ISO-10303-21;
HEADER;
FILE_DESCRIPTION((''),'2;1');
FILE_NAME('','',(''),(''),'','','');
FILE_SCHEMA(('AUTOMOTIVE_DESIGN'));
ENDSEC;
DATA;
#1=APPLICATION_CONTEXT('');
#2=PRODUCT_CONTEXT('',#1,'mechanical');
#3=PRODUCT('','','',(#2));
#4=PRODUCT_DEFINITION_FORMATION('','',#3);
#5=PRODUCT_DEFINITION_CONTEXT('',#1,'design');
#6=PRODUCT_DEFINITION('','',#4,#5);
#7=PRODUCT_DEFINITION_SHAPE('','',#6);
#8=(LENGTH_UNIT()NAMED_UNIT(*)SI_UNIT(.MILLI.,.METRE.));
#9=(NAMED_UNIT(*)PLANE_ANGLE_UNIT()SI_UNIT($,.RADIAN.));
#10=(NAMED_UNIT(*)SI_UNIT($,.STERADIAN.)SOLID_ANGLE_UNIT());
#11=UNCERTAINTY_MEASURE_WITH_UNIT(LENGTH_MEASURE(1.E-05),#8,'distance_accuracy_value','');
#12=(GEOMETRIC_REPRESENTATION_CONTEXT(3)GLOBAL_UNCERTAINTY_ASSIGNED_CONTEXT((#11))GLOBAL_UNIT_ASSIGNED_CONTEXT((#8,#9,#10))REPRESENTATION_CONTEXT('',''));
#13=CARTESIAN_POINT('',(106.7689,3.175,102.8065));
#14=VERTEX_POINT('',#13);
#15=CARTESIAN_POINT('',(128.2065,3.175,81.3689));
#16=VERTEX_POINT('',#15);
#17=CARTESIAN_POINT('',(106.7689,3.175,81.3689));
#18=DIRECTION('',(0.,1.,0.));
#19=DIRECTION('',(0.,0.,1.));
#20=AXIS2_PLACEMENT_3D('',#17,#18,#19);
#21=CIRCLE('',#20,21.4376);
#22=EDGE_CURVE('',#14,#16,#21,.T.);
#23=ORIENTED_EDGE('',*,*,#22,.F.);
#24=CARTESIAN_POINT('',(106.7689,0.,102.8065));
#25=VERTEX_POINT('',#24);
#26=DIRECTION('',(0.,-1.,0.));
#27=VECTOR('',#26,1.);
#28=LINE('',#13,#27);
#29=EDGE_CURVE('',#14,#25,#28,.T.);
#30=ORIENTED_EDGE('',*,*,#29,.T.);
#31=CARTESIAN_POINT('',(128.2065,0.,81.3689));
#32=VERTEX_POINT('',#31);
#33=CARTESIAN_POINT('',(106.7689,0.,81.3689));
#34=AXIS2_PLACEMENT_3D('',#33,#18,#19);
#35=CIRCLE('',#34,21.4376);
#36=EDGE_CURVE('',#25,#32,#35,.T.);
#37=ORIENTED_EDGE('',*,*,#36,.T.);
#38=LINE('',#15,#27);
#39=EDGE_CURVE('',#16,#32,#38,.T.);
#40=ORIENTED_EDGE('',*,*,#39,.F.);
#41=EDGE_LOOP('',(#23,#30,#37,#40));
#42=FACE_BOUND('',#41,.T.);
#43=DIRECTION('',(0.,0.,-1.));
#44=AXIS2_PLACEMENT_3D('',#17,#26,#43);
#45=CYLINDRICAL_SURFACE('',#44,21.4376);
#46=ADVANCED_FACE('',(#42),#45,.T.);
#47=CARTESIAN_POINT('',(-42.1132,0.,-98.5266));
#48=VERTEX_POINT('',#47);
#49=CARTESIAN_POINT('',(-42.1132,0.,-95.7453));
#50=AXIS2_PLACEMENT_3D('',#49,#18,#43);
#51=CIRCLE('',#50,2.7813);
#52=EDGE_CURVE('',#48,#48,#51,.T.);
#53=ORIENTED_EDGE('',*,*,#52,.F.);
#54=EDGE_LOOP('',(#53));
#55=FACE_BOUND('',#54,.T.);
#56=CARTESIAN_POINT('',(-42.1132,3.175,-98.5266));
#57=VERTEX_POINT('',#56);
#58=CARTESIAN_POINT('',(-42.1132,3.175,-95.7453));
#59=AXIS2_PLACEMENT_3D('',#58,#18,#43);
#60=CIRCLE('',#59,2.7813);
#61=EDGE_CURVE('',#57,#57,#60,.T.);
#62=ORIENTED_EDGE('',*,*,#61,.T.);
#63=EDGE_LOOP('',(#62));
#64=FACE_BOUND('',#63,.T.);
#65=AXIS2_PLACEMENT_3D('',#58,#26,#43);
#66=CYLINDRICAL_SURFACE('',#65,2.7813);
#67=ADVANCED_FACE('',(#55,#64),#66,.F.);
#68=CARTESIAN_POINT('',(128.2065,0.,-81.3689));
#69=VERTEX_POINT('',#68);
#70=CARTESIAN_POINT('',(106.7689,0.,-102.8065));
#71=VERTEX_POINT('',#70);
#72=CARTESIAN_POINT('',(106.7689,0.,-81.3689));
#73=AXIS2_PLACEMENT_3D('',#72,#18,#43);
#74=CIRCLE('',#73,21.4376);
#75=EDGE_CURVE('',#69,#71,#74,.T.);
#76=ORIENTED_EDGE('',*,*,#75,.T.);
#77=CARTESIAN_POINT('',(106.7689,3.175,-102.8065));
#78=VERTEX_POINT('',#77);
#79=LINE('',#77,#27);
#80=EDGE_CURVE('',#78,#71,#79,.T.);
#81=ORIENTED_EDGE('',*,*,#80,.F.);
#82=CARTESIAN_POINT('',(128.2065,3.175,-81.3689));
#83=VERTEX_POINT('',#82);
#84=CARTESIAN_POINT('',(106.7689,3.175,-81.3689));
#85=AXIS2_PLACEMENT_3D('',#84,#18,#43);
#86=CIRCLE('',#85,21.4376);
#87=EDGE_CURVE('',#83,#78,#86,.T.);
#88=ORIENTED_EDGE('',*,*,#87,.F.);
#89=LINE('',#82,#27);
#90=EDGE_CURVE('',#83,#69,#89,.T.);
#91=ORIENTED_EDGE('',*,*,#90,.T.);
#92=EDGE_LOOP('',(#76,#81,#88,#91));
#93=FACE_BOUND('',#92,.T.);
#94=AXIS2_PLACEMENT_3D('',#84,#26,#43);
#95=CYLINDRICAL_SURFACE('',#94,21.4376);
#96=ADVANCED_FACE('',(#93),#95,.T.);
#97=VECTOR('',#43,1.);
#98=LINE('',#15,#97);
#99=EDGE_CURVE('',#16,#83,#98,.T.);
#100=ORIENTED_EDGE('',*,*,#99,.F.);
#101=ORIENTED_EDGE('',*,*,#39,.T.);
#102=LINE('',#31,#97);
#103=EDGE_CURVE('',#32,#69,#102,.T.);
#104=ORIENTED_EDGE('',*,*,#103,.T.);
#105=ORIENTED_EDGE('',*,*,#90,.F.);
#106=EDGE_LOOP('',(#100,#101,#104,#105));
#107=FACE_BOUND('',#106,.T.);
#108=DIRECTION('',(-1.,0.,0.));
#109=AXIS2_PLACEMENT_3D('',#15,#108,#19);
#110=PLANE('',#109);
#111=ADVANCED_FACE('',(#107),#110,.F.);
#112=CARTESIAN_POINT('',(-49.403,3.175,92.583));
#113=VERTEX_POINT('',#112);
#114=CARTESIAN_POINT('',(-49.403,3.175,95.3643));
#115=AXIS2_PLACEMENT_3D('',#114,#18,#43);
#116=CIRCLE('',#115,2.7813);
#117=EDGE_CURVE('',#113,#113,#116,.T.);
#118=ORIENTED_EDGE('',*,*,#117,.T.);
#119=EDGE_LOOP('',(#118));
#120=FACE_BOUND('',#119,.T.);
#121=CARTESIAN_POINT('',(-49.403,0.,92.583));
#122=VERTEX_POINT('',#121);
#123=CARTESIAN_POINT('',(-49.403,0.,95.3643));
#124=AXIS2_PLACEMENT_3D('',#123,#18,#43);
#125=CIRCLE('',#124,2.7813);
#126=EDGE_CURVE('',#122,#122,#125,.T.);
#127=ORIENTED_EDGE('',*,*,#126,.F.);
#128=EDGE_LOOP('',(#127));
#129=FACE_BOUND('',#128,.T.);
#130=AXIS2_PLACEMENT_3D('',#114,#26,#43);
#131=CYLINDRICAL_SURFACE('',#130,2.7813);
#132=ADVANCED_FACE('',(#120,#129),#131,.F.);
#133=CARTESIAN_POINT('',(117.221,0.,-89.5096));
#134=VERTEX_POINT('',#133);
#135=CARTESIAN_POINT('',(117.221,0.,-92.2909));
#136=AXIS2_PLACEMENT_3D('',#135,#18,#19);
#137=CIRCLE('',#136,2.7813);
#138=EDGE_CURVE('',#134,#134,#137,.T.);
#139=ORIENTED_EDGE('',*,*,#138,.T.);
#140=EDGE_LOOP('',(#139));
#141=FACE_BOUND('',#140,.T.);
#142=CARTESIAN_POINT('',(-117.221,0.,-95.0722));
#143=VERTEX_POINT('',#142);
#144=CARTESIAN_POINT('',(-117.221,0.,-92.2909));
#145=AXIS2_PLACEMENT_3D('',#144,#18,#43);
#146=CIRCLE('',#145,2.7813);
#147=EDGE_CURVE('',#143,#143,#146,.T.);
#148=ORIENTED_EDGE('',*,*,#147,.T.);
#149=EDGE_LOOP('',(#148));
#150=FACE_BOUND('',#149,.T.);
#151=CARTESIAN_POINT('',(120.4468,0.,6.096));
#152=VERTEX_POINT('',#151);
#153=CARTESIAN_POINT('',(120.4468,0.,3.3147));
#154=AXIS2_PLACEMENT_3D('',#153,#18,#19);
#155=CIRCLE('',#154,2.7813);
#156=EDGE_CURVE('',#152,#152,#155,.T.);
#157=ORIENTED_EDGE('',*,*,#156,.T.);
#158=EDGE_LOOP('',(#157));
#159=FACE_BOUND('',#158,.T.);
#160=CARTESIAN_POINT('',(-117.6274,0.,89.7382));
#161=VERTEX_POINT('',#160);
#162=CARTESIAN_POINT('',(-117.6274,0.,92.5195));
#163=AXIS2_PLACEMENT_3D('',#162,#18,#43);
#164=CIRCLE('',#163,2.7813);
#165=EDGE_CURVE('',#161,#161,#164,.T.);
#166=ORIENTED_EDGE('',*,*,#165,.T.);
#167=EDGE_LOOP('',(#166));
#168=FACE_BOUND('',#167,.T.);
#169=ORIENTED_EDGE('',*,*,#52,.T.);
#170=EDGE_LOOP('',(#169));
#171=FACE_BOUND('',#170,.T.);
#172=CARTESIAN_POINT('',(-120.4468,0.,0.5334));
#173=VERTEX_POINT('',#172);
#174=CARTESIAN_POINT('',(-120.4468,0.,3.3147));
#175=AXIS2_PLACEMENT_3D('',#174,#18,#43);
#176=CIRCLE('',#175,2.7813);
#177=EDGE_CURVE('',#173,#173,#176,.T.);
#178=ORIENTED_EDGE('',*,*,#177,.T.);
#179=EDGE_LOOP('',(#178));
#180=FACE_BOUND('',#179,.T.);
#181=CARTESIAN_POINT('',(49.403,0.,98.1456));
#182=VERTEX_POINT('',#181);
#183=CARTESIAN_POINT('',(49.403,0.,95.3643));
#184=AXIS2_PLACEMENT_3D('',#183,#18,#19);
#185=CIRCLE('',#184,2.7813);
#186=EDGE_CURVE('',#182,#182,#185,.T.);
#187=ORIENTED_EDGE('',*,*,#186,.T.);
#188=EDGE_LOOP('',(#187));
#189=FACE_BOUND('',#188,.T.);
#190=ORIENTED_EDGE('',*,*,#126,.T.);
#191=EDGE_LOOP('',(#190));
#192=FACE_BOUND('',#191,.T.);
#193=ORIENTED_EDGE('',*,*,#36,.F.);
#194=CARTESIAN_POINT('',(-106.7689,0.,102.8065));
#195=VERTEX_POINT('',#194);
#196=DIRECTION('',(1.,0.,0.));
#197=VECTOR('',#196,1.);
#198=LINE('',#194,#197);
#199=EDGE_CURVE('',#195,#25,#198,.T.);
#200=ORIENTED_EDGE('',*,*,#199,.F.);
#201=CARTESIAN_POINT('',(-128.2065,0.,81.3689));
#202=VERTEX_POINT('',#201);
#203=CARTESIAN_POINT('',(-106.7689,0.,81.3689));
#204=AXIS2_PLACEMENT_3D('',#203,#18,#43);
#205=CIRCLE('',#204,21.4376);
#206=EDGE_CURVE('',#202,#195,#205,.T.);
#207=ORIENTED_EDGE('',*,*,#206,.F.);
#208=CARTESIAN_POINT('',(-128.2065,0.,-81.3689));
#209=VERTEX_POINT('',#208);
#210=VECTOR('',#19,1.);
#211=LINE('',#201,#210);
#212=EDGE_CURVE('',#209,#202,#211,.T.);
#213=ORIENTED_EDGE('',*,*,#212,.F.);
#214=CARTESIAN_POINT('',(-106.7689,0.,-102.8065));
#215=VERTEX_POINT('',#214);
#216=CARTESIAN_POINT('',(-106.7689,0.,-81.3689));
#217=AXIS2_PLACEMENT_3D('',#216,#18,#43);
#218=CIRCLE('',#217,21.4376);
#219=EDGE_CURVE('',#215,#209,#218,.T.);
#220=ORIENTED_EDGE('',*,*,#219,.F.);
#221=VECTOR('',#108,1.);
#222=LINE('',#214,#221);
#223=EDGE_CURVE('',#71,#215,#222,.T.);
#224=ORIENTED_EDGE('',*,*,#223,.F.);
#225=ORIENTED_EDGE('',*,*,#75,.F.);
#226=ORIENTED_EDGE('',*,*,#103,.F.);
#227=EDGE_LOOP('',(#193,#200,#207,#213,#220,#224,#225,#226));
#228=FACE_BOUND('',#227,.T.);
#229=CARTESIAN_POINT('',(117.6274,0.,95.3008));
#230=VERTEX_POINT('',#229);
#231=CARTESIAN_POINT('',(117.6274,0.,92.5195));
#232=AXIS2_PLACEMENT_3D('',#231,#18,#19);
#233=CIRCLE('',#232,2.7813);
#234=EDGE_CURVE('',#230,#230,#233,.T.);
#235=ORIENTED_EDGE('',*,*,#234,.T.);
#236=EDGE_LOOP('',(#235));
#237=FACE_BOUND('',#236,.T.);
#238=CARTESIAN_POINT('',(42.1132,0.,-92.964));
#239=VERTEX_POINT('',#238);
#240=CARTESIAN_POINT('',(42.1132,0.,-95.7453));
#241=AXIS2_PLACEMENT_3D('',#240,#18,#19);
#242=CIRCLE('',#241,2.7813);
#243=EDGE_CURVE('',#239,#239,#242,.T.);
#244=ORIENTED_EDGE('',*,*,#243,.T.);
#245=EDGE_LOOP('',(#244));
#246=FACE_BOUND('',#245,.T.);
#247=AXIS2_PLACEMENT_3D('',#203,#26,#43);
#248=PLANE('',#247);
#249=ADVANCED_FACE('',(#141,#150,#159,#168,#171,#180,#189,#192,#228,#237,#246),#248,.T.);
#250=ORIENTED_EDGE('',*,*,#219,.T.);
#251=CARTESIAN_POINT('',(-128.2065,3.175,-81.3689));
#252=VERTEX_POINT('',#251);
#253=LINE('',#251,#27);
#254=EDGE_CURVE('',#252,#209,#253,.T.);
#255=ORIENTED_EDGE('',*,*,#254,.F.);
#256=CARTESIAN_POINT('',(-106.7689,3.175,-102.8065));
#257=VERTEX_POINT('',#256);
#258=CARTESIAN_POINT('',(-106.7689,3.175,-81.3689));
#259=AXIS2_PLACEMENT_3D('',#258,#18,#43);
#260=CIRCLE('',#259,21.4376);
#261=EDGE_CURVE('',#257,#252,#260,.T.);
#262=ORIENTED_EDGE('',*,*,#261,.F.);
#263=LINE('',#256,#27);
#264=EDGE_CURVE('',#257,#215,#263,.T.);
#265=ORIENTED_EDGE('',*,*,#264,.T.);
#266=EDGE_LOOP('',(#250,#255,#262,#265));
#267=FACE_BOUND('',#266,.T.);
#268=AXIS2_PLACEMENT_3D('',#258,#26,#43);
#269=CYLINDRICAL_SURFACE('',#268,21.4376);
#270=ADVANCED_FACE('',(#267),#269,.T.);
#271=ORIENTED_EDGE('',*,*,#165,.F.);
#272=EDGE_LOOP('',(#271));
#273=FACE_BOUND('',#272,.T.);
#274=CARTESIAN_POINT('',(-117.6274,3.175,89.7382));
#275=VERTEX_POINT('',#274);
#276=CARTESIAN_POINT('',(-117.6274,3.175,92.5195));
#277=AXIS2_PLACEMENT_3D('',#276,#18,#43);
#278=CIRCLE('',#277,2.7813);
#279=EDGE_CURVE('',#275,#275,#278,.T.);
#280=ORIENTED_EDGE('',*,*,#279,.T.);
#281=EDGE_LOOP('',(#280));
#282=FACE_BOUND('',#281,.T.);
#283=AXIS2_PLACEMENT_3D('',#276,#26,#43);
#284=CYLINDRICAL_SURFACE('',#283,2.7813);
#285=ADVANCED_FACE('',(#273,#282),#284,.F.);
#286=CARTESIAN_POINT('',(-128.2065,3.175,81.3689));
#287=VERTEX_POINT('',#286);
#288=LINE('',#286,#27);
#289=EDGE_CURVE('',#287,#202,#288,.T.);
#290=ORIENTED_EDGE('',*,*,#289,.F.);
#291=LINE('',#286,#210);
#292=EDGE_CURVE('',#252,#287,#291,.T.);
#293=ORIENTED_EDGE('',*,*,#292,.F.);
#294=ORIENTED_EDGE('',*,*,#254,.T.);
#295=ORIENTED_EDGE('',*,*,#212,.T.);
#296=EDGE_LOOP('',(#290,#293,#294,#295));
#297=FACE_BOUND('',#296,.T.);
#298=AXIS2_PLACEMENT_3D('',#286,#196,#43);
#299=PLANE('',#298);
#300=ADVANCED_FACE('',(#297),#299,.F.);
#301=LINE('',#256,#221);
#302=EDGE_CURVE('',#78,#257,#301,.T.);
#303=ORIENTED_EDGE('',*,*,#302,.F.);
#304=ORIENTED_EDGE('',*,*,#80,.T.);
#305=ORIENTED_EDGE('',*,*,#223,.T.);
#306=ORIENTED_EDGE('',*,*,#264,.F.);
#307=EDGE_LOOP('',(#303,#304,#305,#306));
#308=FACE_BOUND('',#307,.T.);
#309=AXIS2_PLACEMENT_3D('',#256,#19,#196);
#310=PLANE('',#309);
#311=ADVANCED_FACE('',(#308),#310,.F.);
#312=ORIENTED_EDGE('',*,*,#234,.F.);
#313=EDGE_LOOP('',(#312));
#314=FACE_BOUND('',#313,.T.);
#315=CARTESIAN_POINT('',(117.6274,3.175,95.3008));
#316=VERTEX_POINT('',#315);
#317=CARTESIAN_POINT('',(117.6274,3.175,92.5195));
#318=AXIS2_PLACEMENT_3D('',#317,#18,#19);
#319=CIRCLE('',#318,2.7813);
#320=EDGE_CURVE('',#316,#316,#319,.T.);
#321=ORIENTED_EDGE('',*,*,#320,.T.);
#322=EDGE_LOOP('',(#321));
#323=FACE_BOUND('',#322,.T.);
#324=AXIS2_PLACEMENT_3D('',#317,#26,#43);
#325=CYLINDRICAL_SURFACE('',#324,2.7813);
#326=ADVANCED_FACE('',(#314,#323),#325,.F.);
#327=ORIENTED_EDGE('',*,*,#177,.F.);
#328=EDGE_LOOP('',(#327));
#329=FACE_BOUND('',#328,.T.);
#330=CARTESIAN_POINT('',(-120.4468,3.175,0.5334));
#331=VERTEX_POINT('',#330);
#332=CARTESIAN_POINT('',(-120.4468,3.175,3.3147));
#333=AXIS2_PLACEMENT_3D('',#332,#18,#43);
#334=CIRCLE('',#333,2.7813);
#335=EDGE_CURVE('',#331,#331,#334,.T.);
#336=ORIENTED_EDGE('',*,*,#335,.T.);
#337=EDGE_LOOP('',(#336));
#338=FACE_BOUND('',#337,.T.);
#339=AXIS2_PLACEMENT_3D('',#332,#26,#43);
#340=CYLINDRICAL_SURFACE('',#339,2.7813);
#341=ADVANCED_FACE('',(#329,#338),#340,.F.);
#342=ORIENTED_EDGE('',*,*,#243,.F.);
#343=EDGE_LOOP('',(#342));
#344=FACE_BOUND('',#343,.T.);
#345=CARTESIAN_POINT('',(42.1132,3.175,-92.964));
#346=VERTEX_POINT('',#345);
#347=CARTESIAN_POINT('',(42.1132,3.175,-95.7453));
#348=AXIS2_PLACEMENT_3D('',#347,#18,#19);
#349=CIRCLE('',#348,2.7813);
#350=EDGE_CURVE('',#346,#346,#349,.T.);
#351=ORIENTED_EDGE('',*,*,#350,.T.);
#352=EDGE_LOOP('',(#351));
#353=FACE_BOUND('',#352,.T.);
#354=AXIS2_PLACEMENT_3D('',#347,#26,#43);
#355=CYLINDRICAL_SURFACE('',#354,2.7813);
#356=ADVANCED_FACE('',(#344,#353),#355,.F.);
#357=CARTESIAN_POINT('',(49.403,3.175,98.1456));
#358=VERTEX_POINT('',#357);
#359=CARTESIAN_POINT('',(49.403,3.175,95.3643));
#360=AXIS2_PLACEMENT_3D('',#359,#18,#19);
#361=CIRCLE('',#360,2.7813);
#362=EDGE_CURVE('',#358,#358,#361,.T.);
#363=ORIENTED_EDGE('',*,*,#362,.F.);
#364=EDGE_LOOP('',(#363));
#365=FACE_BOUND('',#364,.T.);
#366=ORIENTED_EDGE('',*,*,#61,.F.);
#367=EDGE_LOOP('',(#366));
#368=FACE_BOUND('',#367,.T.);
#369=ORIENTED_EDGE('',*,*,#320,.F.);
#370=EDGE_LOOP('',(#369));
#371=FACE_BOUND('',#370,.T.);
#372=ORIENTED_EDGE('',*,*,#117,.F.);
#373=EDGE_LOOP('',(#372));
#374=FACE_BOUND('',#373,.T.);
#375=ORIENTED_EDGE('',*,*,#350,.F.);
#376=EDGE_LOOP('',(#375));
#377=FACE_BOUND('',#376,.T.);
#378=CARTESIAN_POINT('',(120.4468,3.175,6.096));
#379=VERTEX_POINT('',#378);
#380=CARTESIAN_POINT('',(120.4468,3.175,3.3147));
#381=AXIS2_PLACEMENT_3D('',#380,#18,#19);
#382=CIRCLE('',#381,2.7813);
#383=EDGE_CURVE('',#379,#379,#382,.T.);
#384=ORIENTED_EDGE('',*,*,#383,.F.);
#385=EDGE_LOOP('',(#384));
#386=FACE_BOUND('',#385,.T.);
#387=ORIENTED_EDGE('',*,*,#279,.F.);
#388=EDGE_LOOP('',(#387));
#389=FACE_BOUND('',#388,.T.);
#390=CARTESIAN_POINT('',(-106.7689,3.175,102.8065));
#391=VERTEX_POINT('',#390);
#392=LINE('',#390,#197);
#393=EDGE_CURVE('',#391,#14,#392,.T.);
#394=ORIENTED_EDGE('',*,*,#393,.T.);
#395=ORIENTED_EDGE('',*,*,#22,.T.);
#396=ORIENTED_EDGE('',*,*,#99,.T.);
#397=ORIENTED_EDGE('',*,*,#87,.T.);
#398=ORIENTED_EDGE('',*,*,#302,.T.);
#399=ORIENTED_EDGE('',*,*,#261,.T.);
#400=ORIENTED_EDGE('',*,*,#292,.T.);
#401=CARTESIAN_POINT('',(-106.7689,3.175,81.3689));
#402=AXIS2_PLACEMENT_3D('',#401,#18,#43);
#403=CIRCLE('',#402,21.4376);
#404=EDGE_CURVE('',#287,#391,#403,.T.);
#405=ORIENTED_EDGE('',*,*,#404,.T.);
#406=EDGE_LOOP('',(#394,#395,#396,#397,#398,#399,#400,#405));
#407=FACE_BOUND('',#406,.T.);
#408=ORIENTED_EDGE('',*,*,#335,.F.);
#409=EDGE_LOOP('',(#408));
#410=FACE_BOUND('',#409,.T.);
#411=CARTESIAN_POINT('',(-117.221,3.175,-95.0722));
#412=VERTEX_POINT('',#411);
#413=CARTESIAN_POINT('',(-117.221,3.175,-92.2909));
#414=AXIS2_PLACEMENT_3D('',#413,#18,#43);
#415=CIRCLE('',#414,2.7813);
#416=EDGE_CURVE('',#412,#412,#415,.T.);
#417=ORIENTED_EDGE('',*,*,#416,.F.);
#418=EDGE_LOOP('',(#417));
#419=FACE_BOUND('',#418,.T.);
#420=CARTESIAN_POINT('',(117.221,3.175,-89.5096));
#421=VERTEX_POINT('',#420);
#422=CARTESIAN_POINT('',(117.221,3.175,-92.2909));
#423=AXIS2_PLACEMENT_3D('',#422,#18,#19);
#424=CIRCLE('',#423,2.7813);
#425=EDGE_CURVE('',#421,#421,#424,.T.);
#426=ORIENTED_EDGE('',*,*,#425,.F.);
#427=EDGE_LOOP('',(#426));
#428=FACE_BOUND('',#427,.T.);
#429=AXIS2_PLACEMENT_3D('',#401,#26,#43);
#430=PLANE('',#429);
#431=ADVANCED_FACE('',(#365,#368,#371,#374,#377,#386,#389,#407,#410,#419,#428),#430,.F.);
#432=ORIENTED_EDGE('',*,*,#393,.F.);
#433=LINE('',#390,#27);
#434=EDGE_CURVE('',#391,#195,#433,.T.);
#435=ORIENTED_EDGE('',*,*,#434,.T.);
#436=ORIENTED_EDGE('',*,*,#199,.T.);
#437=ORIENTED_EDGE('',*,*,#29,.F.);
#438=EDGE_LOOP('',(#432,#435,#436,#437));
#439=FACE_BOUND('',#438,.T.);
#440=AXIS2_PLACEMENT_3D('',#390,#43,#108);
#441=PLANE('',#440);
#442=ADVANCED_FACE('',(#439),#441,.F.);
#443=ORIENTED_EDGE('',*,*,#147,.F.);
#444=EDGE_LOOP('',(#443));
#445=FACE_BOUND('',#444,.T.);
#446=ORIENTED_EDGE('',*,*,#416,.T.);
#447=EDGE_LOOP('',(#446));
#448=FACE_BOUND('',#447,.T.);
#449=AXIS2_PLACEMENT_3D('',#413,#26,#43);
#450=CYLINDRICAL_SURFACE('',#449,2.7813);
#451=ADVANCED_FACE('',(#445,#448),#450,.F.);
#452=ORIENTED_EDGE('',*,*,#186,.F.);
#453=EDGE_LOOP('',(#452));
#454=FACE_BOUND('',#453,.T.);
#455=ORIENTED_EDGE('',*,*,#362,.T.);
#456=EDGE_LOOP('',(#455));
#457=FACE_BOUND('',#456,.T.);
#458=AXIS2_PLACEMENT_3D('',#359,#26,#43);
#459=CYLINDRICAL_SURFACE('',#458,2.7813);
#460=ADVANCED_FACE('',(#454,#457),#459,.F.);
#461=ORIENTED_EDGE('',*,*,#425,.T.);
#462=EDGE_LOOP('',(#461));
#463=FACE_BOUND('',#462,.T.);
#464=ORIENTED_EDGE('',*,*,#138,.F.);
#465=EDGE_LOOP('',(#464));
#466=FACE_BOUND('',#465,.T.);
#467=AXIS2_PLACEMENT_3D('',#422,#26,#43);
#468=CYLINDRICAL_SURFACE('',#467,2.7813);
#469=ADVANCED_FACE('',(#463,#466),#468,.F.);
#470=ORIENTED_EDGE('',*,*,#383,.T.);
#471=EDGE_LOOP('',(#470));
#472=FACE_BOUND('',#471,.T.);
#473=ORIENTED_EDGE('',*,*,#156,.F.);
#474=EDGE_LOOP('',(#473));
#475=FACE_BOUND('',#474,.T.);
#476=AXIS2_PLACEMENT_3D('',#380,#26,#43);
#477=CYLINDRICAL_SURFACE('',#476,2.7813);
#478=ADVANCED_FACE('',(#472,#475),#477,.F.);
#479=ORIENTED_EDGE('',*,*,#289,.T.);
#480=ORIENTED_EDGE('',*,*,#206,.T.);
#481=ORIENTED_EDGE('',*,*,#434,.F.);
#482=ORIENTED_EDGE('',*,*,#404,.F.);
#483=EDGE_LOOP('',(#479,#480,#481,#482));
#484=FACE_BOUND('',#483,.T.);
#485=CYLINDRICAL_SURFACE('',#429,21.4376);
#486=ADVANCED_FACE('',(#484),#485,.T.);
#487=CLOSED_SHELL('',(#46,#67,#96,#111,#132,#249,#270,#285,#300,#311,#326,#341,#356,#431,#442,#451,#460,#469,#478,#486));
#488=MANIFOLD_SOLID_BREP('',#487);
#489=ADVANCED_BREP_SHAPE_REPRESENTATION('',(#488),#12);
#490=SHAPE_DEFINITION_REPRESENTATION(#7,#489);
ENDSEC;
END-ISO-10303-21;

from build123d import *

# Parameters (mm, degrees)
SKETCH2_R           = 2.7813
BOSS_EXTRUDE1_DEPTH = 3.175


with BuildPart() as part:
    # Sketch2 → Boss-Extrude1 (new body)
    with BuildSketch(Plane(origin=(0, 0, 0), x_dir=(1, 0, 0), z_dir=(0, 1, 0))):
        with BuildLine():
            Line((-106.7689, -102.8065), (106.7689, -102.8065))
            ThreePointArc((106.7689, -102.8065), (121.927572332, -96.527572332), (128.2065, -81.3689))
            Line((128.2065, -81.3689), (128.2065, 81.3689))
            ThreePointArc((128.2065, 81.3689), (121.927572332, 96.527572332), (106.7689, 102.8065))
            Line((106.7689, 102.8065), (-106.7689, 102.8065))
            ThreePointArc((-106.7689, 102.8065), (-121.927572332, 96.527572332), (-128.2065, 81.3689))
            Line((-128.2065, 81.3689), (-128.2065, -81.3689))
            ThreePointArc((-128.2065, -81.3689), (-121.927572332, -96.527572332), (-106.7689, -102.8065))
        make_face()
        with Locations((42.1132, 95.7453)):
            Circle(SKETCH2_R, mode=Mode.SUBTRACT)
        with Locations((117.221, 92.2909)):
            Circle(SKETCH2_R, mode=Mode.SUBTRACT)
        with Locations((120.4468, -3.3147)):
            Circle(SKETCH2_R, mode=Mode.SUBTRACT)
        with Locations((117.6274, -92.5195)):
            Circle(SKETCH2_R, mode=Mode.SUBTRACT)
        with Locations((49.403, -95.3643)):
            Circle(SKETCH2_R, mode=Mode.SUBTRACT)
        with Locations((-49.403, -95.3643)):
            Circle(SKETCH2_R, mode=Mode.SUBTRACT)
        with Locations((-117.6274, -92.5195)):
            Circle(SKETCH2_R, mode=Mode.SUBTRACT)
        with Locations((-120.4468, -3.3147)):
            Circle(SKETCH2_R, mode=Mode.SUBTRACT)
        with Locations((-117.221, 92.2909)):
            Circle(SKETCH2_R, mode=Mode.SUBTRACT)
        with Locations((-42.1132, 95.7453)):
            Circle(SKETCH2_R, mode=Mode.SUBTRACT)
    extrude(amount=BOSS_EXTRUDE1_DEPTH)


solid = part.part
